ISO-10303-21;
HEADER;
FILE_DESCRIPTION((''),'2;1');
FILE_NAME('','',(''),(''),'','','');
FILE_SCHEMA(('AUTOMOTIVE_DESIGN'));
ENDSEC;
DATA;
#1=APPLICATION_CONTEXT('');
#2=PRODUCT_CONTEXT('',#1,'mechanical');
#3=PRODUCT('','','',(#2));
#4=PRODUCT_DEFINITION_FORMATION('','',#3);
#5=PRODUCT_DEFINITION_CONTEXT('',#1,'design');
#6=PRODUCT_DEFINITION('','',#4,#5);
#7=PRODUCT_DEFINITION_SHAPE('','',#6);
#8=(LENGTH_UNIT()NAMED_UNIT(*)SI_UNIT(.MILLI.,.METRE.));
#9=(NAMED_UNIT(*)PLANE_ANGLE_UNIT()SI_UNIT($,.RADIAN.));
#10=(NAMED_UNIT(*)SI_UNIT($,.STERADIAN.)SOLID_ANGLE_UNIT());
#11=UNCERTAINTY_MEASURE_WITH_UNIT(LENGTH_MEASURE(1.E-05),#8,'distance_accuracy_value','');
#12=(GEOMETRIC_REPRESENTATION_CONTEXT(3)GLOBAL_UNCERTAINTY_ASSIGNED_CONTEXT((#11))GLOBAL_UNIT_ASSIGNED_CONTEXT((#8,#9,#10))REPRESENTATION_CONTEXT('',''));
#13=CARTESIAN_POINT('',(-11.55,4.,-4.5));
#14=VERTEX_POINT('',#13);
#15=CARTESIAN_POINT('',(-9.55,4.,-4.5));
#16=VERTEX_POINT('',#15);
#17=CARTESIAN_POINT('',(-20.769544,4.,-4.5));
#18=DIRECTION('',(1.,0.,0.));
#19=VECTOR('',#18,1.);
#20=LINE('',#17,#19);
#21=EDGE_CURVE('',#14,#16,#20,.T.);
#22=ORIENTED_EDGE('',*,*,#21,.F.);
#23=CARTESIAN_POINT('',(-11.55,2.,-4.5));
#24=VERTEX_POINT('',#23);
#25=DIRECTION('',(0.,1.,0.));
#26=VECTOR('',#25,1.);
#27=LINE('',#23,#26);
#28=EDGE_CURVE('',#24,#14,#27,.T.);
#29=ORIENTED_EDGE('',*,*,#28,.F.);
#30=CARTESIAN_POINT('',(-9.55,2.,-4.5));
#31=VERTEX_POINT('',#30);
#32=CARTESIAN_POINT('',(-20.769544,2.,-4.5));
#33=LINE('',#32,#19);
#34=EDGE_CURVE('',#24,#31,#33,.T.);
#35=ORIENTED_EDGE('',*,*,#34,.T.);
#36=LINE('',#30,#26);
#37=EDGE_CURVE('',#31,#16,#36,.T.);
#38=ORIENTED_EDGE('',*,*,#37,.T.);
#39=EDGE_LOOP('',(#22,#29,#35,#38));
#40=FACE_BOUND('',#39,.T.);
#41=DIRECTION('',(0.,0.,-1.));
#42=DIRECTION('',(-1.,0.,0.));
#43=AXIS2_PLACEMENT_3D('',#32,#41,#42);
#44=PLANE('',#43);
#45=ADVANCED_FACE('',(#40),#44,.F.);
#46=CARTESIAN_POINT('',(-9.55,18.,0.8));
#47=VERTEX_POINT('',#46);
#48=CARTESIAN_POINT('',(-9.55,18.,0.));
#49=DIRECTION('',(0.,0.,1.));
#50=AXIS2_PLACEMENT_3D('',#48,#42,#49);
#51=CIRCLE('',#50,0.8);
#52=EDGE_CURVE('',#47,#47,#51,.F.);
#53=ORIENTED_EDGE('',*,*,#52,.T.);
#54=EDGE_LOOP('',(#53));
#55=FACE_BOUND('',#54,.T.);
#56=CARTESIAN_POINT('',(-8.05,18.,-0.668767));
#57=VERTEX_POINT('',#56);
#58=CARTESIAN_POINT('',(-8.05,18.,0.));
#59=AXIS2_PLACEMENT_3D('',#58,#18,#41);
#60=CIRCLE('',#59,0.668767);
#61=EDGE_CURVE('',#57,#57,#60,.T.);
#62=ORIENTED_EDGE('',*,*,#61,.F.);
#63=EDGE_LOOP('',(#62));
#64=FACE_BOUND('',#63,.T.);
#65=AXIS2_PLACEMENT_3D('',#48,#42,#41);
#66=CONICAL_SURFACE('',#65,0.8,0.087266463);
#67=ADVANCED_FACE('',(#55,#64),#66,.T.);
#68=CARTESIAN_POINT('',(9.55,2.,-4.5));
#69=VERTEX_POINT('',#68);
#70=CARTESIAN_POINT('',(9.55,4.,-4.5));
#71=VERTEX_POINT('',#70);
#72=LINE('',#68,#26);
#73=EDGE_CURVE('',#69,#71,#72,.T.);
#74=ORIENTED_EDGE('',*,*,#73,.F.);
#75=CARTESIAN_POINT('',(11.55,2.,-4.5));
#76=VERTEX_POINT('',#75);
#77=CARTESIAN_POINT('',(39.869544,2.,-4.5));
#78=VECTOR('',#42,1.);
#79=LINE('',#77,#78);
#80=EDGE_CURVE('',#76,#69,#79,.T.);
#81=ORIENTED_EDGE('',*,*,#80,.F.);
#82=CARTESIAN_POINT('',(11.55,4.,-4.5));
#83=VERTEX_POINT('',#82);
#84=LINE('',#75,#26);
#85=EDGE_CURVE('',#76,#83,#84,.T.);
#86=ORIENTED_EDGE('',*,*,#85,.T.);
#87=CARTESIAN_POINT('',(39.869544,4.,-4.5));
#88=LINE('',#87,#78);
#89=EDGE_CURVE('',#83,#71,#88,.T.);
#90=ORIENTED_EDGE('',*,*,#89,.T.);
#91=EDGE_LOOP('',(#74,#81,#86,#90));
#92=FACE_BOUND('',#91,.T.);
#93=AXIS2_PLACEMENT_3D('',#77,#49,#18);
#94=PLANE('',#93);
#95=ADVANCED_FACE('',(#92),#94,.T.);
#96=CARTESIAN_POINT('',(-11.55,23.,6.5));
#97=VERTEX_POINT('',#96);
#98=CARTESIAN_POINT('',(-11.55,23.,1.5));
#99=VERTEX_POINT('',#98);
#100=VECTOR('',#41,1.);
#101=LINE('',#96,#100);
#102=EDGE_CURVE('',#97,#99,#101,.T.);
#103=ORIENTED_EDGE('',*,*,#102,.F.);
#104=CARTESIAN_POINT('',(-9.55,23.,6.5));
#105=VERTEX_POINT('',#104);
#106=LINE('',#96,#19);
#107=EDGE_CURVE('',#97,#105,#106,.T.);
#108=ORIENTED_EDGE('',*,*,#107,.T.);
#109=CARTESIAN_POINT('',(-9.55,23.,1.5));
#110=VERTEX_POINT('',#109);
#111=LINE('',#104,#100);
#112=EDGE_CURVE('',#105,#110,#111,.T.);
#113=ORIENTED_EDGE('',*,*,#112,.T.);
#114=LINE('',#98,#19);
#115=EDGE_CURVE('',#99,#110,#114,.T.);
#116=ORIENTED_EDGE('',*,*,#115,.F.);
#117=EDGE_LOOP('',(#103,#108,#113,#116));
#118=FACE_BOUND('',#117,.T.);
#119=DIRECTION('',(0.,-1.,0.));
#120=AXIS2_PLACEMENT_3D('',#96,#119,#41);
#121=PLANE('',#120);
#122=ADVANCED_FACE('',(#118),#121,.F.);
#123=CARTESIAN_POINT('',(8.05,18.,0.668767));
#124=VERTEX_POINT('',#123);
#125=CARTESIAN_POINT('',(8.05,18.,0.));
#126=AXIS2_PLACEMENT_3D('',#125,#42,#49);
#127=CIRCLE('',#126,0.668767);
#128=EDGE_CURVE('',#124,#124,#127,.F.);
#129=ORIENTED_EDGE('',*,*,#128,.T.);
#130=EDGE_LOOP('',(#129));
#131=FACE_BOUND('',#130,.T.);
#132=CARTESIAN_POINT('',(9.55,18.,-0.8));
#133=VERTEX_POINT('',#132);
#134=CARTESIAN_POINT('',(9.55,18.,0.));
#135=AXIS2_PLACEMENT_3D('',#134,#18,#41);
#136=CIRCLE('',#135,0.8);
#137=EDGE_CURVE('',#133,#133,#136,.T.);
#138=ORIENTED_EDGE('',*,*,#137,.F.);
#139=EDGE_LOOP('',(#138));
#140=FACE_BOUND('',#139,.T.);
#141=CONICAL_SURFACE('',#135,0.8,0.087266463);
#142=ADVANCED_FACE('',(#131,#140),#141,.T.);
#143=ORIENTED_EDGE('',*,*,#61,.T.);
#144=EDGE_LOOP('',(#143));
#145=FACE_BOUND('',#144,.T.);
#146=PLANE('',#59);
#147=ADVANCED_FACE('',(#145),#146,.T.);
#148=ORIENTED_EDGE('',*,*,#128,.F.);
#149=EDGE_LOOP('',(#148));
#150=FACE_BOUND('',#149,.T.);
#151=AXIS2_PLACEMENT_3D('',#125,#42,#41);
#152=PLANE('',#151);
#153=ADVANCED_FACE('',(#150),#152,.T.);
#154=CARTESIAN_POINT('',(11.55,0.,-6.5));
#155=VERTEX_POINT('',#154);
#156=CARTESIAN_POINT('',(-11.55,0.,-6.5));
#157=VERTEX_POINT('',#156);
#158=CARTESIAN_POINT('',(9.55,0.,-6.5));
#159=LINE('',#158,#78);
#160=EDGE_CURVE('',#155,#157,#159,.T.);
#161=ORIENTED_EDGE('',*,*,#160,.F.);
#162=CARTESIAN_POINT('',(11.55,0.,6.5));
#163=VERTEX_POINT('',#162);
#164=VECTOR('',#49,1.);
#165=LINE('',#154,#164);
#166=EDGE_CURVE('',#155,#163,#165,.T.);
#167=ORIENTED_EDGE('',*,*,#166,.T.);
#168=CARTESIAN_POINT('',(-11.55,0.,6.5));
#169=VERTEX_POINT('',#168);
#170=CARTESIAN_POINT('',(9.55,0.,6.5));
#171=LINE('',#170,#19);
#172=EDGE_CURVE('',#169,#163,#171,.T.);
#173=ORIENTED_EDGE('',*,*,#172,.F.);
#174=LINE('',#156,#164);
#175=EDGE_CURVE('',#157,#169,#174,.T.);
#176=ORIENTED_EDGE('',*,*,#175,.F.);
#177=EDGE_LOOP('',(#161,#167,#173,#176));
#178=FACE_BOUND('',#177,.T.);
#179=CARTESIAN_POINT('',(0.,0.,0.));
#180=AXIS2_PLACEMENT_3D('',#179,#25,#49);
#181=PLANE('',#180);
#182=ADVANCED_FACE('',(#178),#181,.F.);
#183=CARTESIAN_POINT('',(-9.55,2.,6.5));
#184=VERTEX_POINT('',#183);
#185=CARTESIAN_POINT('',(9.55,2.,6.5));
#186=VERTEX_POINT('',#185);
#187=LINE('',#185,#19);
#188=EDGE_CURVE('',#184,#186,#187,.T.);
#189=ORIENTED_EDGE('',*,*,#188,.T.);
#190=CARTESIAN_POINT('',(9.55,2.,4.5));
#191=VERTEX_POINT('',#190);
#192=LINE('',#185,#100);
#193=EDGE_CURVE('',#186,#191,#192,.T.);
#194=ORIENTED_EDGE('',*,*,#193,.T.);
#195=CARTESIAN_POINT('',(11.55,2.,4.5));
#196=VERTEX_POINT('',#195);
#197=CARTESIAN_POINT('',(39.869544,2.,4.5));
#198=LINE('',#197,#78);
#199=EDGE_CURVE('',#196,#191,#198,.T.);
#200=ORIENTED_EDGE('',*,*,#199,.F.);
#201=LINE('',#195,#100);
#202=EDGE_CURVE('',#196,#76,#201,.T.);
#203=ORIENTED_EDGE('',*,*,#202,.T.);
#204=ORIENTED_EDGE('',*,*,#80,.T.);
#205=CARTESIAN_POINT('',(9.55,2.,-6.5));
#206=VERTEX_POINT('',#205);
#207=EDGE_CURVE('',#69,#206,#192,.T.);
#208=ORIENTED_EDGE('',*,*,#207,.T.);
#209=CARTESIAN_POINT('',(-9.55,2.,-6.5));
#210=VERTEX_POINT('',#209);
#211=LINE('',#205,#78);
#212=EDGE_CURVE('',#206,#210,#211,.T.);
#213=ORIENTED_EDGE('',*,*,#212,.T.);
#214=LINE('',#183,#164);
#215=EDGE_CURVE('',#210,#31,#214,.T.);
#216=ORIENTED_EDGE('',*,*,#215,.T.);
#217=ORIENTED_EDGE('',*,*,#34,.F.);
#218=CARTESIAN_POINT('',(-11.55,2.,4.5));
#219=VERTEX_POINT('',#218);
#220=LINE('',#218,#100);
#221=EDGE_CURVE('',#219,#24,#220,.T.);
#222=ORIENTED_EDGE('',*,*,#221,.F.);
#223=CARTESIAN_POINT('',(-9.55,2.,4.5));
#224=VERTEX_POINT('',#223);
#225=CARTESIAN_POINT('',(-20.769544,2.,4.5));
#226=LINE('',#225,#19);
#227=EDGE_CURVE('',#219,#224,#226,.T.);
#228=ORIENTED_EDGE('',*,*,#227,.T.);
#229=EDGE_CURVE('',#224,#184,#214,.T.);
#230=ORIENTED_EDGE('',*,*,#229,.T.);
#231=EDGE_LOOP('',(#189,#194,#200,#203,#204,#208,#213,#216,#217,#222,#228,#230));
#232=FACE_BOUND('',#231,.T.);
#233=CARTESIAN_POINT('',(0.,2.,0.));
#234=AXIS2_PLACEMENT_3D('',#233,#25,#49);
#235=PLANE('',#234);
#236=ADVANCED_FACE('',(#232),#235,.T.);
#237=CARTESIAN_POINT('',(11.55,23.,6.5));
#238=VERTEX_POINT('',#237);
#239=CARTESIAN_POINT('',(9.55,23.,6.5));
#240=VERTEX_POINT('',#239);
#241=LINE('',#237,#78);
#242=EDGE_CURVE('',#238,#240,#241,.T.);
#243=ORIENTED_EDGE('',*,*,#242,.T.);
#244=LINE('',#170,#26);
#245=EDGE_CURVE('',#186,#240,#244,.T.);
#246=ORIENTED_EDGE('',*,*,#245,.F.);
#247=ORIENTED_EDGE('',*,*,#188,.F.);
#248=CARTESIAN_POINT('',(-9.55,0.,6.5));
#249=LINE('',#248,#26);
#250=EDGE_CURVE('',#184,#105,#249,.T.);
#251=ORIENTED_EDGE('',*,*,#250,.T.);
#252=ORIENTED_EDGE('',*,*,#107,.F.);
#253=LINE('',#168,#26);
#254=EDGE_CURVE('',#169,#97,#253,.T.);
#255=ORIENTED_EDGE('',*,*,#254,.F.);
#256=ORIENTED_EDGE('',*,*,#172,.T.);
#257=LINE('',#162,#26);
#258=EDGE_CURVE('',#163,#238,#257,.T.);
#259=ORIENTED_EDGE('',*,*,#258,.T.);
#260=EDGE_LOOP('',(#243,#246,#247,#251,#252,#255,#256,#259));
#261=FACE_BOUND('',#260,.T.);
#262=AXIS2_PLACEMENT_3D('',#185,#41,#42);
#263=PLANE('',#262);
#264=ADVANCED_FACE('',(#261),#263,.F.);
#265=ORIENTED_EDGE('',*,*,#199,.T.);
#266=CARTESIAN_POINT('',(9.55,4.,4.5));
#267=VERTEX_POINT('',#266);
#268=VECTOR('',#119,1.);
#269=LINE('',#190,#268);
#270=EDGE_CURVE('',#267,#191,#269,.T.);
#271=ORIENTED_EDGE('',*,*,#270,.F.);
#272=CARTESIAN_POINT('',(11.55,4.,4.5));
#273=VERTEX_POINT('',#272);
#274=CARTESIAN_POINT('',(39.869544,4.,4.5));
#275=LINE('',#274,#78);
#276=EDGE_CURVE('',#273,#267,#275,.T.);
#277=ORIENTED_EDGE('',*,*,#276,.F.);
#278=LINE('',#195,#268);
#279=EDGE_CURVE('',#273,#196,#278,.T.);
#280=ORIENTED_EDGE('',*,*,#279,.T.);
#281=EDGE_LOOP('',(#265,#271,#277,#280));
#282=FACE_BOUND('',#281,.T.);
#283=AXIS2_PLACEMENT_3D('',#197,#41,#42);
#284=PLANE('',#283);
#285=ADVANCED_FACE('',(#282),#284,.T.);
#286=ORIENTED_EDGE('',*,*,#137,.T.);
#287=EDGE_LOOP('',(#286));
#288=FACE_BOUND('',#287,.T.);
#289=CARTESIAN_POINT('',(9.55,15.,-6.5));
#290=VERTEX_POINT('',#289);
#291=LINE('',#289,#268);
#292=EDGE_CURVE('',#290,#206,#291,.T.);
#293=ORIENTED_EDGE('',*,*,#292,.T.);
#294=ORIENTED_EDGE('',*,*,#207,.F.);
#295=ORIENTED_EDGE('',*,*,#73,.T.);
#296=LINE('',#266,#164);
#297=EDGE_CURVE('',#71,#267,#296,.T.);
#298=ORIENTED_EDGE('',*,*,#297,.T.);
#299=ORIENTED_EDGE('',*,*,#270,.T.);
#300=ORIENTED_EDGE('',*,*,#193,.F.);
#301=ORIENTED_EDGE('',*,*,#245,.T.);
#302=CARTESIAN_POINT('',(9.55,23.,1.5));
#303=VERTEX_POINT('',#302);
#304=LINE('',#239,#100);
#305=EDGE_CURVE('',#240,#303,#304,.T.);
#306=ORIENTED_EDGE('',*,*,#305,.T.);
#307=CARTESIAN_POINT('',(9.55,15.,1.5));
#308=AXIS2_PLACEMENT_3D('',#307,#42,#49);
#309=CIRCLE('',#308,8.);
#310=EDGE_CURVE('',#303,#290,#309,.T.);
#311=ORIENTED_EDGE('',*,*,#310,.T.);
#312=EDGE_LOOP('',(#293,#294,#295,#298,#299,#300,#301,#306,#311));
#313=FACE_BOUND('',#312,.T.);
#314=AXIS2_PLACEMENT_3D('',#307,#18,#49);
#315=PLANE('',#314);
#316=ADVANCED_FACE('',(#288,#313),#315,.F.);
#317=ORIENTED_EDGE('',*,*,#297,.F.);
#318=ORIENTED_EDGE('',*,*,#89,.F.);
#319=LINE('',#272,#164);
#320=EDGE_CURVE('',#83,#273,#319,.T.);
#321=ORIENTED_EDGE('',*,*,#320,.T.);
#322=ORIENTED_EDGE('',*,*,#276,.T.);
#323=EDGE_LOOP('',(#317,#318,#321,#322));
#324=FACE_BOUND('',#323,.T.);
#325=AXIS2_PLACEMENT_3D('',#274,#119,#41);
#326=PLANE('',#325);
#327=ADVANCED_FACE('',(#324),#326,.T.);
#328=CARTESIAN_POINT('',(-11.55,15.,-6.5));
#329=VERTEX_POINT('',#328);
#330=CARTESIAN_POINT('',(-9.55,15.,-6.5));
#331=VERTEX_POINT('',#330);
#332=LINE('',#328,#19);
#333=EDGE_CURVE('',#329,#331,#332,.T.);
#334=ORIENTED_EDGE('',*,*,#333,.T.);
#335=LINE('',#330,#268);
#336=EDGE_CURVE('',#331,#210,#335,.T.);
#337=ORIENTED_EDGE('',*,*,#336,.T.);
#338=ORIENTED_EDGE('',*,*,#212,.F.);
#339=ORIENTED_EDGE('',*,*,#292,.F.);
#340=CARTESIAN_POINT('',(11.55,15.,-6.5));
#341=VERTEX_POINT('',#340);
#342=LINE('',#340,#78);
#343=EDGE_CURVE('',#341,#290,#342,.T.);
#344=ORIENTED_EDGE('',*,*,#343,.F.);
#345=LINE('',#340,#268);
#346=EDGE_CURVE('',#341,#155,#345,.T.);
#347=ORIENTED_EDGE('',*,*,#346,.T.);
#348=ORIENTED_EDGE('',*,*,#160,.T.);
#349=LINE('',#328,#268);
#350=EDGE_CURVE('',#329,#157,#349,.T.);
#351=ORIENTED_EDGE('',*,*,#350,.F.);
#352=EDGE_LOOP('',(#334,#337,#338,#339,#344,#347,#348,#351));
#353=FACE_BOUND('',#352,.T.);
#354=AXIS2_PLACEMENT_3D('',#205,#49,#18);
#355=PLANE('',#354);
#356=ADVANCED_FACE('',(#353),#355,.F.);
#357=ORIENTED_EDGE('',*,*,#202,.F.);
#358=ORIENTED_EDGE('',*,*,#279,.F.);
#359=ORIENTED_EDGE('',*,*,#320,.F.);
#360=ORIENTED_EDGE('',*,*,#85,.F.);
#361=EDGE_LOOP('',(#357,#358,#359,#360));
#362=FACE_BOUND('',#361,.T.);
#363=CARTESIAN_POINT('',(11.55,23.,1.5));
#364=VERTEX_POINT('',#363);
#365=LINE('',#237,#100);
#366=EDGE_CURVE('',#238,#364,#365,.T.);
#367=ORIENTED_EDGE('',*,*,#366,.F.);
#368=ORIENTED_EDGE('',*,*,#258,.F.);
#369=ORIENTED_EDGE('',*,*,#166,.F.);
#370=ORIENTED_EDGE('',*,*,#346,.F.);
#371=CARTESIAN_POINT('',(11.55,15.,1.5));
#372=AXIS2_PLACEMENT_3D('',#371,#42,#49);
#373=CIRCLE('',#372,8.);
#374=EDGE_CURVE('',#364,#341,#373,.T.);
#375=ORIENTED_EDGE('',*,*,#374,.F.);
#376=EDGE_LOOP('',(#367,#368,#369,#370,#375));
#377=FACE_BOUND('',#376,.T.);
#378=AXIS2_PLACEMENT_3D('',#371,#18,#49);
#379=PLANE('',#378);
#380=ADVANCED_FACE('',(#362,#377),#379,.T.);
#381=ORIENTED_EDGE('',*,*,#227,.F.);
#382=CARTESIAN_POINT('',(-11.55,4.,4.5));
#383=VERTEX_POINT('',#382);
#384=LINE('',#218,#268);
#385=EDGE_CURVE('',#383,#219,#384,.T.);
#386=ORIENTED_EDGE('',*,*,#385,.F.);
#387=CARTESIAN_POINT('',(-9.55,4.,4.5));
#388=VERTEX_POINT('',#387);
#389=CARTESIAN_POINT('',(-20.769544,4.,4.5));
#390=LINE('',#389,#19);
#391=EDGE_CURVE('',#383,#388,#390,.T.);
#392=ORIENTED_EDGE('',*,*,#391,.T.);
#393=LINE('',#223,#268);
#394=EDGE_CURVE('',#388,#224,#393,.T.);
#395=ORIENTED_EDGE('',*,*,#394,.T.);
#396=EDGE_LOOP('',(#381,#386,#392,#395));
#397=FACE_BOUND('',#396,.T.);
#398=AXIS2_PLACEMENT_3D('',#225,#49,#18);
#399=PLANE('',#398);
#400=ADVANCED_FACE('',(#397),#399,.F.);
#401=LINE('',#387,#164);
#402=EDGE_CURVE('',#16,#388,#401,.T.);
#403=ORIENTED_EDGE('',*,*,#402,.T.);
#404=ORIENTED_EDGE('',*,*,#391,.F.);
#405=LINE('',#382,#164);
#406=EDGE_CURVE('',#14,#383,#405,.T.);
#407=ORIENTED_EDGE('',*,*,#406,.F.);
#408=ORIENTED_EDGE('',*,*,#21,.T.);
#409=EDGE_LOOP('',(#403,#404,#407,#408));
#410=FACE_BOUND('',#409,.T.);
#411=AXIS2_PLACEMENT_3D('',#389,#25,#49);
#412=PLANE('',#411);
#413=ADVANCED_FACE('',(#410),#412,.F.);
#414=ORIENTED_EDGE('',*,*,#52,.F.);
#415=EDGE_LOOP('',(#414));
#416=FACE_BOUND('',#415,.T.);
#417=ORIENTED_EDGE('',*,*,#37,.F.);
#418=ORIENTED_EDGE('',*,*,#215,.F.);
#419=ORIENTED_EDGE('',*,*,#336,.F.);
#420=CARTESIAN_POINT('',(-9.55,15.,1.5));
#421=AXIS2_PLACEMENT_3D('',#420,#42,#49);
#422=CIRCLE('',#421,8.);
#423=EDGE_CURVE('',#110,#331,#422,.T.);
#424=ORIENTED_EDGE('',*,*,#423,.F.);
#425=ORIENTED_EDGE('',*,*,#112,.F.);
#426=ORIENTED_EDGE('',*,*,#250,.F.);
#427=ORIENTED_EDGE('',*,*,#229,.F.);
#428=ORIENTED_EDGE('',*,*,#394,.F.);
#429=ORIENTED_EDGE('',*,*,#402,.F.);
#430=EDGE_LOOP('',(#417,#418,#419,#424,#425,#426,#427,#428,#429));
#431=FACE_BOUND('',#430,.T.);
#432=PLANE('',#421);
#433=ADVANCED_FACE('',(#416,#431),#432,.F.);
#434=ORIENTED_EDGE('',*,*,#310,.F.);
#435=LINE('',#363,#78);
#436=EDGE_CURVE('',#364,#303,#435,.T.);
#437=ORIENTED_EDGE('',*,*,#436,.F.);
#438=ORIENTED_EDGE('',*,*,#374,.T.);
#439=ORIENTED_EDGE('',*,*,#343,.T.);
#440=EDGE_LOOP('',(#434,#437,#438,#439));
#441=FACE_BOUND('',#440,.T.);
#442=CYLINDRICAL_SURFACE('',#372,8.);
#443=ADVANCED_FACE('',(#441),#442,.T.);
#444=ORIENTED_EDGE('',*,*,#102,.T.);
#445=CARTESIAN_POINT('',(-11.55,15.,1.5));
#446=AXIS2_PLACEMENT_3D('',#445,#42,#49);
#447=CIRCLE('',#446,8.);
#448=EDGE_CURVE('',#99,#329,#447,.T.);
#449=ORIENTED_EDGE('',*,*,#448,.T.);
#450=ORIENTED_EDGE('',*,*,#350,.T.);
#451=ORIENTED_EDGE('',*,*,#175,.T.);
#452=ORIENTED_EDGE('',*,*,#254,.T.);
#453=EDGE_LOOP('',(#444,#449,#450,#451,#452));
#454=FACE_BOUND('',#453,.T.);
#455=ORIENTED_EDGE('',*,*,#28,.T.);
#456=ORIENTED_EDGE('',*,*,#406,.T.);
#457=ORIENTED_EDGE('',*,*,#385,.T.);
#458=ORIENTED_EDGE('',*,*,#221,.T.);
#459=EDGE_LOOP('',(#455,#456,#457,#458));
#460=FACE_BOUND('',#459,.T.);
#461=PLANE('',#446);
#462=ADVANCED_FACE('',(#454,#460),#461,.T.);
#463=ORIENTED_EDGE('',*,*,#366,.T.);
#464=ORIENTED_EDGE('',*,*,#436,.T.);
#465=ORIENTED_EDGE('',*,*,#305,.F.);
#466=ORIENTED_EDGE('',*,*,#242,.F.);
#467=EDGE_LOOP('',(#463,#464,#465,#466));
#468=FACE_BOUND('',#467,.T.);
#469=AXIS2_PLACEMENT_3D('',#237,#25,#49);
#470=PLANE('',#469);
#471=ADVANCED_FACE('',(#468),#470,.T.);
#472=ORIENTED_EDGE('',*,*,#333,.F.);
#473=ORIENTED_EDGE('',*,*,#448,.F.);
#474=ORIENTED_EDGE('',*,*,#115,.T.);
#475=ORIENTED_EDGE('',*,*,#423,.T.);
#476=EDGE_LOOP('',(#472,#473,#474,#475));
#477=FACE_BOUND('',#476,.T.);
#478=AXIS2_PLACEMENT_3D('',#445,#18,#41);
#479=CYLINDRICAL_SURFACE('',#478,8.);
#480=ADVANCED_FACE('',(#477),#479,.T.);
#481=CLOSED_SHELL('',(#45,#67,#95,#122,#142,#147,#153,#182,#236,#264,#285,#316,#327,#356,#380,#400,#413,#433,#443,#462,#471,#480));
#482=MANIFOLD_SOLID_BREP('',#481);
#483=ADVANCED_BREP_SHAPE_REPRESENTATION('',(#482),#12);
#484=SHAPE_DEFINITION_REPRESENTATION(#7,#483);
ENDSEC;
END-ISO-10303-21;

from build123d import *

# Parameters (mm, degrees)
SKETCH2_W           = 19.1
SKETCH2_H           = 13
BOSS_EXTRUDE1_DEPTH = 2
BOSS_EXTRUDE2_DEPTH = 2
SKETCH4_R           = 0.8
BOSS_EXTRUDE3_DEPTH = 1.5
BOSS_EXTRUDE3_TAPER = 5
SKETCH5_W           = 9
SKETCH5_H           = 2
CUT_EXTRUDE1_DEPTH  = 2


with BuildPart() as part:
    # Sketch2 → Boss-Extrude1 (new body)
    with BuildSketch(Plane(origin=(0, 0, 0), x_dir=(1, 0, 0), z_dir=(0, 1, 0))):
        Rectangle(SKETCH2_W, SKETCH2_H)
    extrude(amount=BOSS_EXTRUDE1_DEPTH)

    # Sketch3 → Boss-Extrude2 (add)
    with BuildSketch(Plane.ZY.offset(9.55)):
        with BuildLine():
            Line((6.5, 0), (6.5, 23))
            Line((6.5, 23), (1.5, 23))
            ThreePointArc((1.5, 23), (-4.156854249, 20.656854249), (-6.5, 15))
            Line((-6.5, 15), (-6.5, 0))
            Line((-6.5, 0), (6.5, 0))
        make_face()
    boss_extrude2 = extrude(amount=BOSS_EXTRUDE2_DEPTH)

    # Sketch4 → Boss-Extrude3 (add)
    with BuildSketch(Plane(origin=(-9.55, 0, 0), x_dir=(0, 0, -1), z_dir=(1, 0, 0))):
        with Locations((0, 18)):
            Circle(SKETCH4_R)
    boss_extrude3 = extrude(amount=BOSS_EXTRUDE3_DEPTH, taper=BOSS_EXTRUDE3_TAPER)

    # Sketch5 → Cut-Extrude1 (cut)
    with BuildSketch(Plane(origin=(-9.55, 0, 0), x_dir=(0, 0, -1), z_dir=(1, 0, 0))):
        with Locations((0, 3)):
            Rectangle(SKETCH5_W, SKETCH5_H)
    cut_extrude1 = extrude(amount=-CUT_EXTRUDE1_DEPTH, mode=Mode.SUBTRACT)

    # Mirror1: Boss-Extrude2, Boss-Extrude3, Cut-Extrude1 across plane
    add(boss_extrude2.mirror(Plane(origin=(0, 0, 0), x_dir=(0, 0, 1), z_dir=(1, 0, 0))))
    add(boss_extrude3.mirror(Plane(origin=(0, 0, 0), x_dir=(0, 0, 1), z_dir=(1, 0, 0))))
    add(cut_extrude1.mirror(Plane(origin=(0, 0, 0), x_dir=(0, 0, 1), z_dir=(1, 0, 0))), mode=Mode.SUBTRACT)


solid = part.part
